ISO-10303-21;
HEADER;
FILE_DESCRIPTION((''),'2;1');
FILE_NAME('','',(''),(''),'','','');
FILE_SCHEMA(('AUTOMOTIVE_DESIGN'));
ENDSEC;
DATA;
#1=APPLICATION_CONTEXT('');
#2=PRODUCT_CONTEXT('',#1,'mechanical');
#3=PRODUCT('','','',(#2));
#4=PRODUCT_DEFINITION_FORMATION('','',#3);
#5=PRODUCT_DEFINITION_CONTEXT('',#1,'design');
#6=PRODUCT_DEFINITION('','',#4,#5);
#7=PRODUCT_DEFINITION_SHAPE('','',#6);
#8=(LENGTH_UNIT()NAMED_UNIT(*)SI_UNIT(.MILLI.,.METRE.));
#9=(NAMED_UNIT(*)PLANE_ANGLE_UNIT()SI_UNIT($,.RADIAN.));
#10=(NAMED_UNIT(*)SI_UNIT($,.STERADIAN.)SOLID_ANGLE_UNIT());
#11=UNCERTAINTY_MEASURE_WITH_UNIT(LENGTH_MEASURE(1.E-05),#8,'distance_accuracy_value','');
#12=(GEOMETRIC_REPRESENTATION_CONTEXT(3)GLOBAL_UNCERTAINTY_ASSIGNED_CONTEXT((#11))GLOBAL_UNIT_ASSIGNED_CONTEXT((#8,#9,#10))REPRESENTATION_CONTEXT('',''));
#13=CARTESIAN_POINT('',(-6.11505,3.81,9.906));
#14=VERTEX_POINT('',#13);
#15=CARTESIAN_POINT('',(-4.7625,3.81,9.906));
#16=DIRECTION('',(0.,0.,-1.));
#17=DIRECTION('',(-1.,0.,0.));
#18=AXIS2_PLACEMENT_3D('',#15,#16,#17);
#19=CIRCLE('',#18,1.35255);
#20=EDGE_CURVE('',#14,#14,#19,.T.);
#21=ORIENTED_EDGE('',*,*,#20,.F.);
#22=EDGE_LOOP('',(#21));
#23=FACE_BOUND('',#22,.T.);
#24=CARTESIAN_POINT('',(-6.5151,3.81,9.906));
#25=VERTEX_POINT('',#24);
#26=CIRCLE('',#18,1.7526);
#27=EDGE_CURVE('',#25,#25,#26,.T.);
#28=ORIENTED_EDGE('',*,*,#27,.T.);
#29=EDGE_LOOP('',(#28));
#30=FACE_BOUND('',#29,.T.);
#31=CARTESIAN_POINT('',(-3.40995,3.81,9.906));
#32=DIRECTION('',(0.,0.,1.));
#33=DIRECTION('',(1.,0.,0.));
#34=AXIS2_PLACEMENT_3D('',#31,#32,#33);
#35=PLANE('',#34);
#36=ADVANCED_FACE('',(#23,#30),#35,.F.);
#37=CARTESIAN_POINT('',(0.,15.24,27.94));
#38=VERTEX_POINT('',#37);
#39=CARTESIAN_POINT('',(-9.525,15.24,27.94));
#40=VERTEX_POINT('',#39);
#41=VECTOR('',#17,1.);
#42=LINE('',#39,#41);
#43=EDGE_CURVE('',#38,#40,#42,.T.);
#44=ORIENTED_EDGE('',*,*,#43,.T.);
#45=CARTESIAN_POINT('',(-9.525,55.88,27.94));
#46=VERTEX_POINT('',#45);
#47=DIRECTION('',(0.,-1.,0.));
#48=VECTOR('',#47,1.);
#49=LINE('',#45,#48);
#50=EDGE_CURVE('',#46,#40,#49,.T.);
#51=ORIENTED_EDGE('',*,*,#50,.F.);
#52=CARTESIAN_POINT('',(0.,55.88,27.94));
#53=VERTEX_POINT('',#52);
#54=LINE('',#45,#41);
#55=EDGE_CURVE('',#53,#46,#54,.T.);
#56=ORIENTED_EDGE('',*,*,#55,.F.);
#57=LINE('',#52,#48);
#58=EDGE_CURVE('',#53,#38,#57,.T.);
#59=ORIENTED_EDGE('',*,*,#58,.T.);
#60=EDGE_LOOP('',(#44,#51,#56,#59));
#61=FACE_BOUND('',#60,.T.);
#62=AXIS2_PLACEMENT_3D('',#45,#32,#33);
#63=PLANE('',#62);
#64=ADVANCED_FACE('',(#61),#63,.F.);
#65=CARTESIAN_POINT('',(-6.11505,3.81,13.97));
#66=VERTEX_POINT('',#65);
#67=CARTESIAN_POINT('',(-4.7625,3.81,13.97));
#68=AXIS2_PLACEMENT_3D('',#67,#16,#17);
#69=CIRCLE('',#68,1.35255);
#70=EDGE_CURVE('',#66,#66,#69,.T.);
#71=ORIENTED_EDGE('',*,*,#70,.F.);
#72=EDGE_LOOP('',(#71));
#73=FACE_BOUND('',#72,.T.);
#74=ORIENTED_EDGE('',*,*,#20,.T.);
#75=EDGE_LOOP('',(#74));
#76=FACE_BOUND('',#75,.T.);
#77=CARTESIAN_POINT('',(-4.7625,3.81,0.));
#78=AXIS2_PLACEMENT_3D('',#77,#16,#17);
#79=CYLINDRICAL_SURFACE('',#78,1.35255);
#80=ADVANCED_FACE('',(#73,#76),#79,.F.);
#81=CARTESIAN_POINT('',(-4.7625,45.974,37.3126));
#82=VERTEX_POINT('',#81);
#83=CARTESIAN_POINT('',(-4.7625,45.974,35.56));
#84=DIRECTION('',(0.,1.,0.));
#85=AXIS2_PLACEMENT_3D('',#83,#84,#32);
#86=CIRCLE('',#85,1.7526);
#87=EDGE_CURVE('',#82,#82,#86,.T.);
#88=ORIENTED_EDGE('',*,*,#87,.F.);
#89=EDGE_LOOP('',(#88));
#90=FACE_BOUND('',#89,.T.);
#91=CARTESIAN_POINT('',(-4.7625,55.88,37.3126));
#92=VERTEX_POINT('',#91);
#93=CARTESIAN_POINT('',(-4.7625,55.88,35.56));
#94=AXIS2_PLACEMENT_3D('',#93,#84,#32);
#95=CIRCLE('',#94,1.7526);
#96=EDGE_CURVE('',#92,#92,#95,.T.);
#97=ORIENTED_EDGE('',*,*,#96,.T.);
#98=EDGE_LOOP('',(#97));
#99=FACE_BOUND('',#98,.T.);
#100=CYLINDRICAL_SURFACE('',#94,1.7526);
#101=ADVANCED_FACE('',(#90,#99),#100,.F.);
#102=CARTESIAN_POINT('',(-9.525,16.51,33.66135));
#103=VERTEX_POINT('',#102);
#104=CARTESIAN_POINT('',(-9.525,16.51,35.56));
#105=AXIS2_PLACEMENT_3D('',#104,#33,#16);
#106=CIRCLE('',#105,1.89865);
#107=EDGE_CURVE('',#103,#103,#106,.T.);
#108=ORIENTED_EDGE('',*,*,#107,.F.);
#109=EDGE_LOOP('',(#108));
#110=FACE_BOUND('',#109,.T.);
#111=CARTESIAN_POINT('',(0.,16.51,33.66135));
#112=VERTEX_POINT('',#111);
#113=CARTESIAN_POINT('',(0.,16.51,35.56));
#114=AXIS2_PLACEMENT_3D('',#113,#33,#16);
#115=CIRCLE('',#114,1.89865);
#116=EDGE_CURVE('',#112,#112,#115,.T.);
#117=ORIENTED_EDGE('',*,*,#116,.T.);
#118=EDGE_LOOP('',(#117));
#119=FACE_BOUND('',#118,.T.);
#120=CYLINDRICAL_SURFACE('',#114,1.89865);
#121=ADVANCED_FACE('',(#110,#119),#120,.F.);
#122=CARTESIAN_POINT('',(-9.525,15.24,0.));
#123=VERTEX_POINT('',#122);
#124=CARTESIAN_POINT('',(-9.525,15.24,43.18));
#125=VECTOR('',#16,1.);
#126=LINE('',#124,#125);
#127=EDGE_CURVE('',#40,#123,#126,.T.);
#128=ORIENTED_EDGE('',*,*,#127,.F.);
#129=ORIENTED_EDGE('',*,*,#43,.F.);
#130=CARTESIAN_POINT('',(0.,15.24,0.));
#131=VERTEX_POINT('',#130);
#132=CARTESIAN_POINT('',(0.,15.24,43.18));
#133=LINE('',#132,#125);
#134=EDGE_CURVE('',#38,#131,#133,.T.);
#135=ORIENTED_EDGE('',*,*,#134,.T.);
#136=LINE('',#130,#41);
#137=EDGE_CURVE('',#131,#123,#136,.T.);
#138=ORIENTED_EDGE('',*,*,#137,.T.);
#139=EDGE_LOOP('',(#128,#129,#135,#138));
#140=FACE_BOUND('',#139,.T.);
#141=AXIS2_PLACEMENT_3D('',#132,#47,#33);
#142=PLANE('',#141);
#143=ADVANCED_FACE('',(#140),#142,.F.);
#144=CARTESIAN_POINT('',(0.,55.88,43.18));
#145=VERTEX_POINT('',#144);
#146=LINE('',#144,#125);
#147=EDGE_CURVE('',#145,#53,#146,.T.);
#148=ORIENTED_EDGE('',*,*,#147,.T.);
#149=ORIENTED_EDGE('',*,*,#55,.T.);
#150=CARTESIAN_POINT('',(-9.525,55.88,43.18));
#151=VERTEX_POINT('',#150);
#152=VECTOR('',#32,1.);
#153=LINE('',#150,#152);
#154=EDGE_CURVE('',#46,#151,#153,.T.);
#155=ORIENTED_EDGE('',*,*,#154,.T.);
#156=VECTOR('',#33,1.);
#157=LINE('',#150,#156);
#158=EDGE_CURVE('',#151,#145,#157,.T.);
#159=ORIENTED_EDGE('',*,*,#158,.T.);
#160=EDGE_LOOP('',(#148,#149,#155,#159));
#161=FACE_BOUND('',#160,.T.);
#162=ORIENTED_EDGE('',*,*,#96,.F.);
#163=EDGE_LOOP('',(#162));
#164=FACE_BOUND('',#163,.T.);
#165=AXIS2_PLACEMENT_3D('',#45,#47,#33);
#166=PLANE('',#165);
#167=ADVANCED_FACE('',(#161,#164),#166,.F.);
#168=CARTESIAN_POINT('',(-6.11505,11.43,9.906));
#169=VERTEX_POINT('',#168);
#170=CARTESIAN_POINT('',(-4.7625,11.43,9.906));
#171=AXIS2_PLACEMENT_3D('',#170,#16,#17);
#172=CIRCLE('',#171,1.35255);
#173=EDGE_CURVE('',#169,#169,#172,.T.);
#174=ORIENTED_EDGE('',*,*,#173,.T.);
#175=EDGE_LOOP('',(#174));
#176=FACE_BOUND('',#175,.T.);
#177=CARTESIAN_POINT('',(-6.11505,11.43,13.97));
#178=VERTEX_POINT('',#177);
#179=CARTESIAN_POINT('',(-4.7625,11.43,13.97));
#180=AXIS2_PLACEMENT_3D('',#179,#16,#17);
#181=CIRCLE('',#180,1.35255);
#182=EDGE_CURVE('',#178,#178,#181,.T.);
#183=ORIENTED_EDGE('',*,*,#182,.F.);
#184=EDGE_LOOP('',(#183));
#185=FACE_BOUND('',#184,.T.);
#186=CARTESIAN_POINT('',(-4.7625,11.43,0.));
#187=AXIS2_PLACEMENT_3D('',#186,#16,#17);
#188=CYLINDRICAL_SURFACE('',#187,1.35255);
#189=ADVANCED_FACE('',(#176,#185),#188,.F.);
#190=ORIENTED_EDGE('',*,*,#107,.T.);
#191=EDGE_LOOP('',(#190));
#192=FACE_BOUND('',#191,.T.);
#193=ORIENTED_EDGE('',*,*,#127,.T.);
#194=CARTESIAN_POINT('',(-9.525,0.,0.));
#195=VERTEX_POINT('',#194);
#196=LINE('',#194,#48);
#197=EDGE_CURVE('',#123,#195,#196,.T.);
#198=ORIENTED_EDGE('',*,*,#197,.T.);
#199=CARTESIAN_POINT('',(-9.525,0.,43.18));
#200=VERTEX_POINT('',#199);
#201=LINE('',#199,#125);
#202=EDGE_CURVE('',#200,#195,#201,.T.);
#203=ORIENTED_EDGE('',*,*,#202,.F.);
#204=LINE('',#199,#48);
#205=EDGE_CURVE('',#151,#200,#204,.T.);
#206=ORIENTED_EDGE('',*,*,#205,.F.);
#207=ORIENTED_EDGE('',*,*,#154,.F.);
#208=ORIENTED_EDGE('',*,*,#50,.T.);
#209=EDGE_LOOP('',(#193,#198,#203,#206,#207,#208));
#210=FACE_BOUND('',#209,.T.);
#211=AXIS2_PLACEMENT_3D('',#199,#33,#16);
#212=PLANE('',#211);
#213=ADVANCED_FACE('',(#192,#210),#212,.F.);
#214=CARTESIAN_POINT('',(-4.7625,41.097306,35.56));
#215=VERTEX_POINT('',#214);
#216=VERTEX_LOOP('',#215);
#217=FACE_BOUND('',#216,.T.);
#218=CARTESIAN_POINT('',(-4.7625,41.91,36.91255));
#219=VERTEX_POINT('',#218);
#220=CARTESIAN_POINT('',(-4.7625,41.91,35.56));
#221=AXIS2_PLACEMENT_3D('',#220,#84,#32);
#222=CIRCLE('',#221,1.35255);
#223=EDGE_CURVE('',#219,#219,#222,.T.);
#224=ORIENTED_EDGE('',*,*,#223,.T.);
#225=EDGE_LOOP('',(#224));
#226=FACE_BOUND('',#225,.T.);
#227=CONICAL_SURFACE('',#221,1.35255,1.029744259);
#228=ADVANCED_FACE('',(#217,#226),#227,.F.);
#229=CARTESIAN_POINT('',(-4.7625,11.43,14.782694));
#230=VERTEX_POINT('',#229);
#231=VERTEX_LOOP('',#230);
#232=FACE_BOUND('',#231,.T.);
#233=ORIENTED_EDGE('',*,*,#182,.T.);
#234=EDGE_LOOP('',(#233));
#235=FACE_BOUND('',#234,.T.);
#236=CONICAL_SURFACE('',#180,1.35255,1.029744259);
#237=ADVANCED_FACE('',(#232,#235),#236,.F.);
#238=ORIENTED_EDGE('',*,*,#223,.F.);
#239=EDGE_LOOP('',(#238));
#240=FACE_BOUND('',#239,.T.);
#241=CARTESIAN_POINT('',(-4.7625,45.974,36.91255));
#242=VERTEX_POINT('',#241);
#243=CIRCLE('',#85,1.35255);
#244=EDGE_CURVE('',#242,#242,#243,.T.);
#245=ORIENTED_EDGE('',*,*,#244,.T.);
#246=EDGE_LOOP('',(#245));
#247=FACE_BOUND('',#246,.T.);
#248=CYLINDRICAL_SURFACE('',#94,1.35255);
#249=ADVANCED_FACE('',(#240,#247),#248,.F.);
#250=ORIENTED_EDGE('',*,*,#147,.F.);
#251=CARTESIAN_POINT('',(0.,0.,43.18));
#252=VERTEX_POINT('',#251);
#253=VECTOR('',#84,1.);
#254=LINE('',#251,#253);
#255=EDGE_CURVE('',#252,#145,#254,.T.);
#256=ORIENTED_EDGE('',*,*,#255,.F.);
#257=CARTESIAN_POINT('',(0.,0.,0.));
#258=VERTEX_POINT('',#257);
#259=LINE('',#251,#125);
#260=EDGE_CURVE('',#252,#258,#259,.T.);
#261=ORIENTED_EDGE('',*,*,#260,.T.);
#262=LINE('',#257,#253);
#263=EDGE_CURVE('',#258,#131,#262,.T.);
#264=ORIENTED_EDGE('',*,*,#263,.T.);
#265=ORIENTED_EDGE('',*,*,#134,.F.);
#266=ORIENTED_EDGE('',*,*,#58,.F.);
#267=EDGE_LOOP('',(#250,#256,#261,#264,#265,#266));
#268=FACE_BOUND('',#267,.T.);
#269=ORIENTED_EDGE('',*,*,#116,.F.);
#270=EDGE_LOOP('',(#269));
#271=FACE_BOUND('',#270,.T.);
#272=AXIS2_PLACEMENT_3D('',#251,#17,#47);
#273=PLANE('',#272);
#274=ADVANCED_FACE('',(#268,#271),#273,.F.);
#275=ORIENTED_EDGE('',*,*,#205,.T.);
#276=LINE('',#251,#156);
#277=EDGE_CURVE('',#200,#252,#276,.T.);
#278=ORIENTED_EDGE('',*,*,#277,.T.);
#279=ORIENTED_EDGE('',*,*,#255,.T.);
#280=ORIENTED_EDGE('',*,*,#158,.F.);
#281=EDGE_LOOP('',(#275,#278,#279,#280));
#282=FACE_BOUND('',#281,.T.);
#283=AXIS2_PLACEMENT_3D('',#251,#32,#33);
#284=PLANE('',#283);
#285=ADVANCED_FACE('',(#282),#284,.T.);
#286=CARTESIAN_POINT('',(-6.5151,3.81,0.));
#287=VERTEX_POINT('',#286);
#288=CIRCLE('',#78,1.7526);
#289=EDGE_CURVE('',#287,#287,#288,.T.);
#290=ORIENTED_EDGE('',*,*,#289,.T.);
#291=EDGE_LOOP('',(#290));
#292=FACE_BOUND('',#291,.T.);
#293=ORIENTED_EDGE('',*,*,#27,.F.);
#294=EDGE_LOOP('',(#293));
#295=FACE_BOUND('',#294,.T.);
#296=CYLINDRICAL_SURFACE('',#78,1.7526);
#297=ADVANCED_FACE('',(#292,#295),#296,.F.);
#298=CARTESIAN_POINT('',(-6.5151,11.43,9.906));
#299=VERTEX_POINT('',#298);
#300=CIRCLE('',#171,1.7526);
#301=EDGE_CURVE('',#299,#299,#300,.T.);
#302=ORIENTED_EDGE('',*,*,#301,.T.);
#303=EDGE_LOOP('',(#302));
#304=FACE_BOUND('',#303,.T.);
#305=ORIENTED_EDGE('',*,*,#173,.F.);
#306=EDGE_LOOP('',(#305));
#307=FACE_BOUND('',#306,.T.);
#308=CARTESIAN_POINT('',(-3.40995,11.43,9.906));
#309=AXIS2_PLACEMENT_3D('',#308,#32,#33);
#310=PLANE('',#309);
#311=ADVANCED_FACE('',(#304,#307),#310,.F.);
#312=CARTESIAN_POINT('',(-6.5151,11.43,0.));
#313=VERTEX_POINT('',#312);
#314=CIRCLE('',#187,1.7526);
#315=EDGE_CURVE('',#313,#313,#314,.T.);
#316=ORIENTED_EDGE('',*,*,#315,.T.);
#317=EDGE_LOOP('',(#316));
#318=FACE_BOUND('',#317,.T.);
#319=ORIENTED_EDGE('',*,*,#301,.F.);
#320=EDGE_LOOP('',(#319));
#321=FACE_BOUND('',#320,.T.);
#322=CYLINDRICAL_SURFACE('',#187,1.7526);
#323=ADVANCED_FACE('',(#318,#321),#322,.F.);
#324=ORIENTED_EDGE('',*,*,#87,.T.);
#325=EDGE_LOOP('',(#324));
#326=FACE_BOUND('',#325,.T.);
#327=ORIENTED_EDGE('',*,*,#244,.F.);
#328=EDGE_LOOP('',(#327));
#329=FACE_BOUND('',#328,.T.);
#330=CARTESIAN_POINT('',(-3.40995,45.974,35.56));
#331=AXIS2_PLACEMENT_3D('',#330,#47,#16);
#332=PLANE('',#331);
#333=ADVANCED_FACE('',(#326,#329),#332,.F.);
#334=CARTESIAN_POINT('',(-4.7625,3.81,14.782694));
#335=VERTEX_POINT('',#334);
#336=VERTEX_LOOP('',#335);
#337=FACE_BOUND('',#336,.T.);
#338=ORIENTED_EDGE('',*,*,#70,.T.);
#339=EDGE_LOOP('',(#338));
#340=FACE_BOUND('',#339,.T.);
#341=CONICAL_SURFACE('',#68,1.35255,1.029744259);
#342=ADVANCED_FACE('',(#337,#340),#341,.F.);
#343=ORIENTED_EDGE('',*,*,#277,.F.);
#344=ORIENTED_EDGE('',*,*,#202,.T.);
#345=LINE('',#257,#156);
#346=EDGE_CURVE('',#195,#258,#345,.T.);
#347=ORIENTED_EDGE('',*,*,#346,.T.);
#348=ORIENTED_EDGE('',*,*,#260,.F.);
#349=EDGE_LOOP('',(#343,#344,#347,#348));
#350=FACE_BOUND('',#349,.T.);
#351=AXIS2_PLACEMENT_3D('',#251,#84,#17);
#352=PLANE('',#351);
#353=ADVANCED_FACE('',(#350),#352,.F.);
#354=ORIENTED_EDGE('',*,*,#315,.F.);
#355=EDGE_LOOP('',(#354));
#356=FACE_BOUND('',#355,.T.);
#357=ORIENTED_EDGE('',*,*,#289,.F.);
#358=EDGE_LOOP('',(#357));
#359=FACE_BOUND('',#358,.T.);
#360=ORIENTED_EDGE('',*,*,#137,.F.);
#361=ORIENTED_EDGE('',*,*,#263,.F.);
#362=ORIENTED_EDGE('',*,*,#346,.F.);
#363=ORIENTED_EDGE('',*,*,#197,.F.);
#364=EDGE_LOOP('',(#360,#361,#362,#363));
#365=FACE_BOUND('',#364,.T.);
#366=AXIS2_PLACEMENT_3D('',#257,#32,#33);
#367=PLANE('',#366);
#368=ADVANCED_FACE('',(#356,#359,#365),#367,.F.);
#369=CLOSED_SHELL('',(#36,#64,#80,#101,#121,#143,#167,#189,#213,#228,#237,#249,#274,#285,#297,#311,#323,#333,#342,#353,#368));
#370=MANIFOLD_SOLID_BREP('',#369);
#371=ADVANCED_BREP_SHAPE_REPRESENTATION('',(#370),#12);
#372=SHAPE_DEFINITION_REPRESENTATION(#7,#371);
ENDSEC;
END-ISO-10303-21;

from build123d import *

# Parameters (mm, degrees)
SKETCH1_W                       = 9.525
SKETCH1_H                       = 15.24
EXTRUDE1_DEPTH                  = 43.18
SKETCH4_W                       = 9.525
SKETCH4_H                       = 15.24
EXTRUDE2_DEPTH                  = 40.64
F_6_32_TAPPED_HOLE1_D           = 2.7051
F_6_32_TAPPED_HOLE1_DEPTH       = 13.97
F_6_32_TAPPED_HOLE1_CBORE_D     = 3.5052
F_6_32_TAPPED_HOLE1_CBORE_DEPTH = 9.906
F_6_32_TAPPED_HOLE1_TIP         = 0.81269403
F_6_CLEARANCE_HOLE1_D           = 3.7973
F_6_CLEARANCE_HOLE1_DEPTH       = 9.906
F_6_CLEARANCE_HOLE1_TIP         = 1.140824014
F_6_32_TAPPED_HOLE2_D           = 2.7051
F_6_32_TAPPED_HOLE2_DEPTH       = 13.97
F_6_32_TAPPED_HOLE2_CBORE_D     = 3.5052
F_6_32_TAPPED_HOLE2_CBORE_DEPTH = 9.906
F_6_32_TAPPED_HOLE2_TIP         = 0.81269403


with BuildPart() as part:
    # Sketch1 → Extrude1 (new body)
    with BuildSketch(Plane.XY):
        with Locations((-4.7625, 7.62)):
            Rectangle(SKETCH1_W, SKETCH1_H)
    extrude(amount=EXTRUDE1_DEPTH)

    # Sketch4 → Extrude2 (add)
    with BuildSketch(Plane(origin=(0, 15.24, 0), x_dir=(-1, 0, 0), z_dir=(0, 1, 0))):
        with Locations((4.7625, 35.56)):
            Rectangle(SKETCH4_W, SKETCH4_H)
    extrude(amount=EXTRUDE2_DEPTH)

    # #6-32 Tapped Hole1
    with Locations(Plane(origin=(-4.7625, 11.43, 0), x_dir=(-1, 0, 0), z_dir=(0, 0, -1))):
        with Locations((0, 0), (0, -7.62), (15.003961831, 4.683879058)):
            CounterBoreHole(F_6_32_TAPPED_HOLE1_D / 2, F_6_32_TAPPED_HOLE1_CBORE_D / 2, F_6_32_TAPPED_HOLE1_CBORE_DEPTH, depth=F_6_32_TAPPED_HOLE1_DEPTH)
            with Locations((0, 0, -(F_6_32_TAPPED_HOLE1_DEPTH + F_6_32_TAPPED_HOLE1_TIP / 2))):  # 118° drill point
                Cone(0, F_6_32_TAPPED_HOLE1_D / 2, F_6_32_TAPPED_HOLE1_TIP, mode=Mode.SUBTRACT)

    # #6 Clearance Hole1
    with Locations(Plane(origin=(0, 16.51, 35.56), x_dir=(0, 1, 0), z_dir=(1, 0, 0))):
        with Locations((0, 0)):
            Hole(F_6_CLEARANCE_HOLE1_D / 2, depth=F_6_CLEARANCE_HOLE1_DEPTH)
            with Locations((0, 0, -(F_6_CLEARANCE_HOLE1_DEPTH + F_6_CLEARANCE_HOLE1_TIP / 2))):  # 118° drill point
                Cone(0, F_6_CLEARANCE_HOLE1_D / 2, F_6_CLEARANCE_HOLE1_TIP, mode=Mode.SUBTRACT)

    # #6-32 Tapped Hole2
    with Locations(Plane(origin=(-4.7625, 55.88, 35.56), x_dir=(1, 0, 0), z_dir=(0, 1, 0))):
        with Locations((0, 0)):
            CounterBoreHole(F_6_32_TAPPED_HOLE2_D / 2, F_6_32_TAPPED_HOLE2_CBORE_D / 2, F_6_32_TAPPED_HOLE2_CBORE_DEPTH, depth=F_6_32_TAPPED_HOLE2_DEPTH)
            with Locations((0, 0, -(F_6_32_TAPPED_HOLE2_DEPTH + F_6_32_TAPPED_HOLE2_TIP / 2))):  # 118° drill point
                Cone(0, F_6_32_TAPPED_HOLE2_D / 2, F_6_32_TAPPED_HOLE2_TIP, mode=Mode.SUBTRACT)


solid = part.part
